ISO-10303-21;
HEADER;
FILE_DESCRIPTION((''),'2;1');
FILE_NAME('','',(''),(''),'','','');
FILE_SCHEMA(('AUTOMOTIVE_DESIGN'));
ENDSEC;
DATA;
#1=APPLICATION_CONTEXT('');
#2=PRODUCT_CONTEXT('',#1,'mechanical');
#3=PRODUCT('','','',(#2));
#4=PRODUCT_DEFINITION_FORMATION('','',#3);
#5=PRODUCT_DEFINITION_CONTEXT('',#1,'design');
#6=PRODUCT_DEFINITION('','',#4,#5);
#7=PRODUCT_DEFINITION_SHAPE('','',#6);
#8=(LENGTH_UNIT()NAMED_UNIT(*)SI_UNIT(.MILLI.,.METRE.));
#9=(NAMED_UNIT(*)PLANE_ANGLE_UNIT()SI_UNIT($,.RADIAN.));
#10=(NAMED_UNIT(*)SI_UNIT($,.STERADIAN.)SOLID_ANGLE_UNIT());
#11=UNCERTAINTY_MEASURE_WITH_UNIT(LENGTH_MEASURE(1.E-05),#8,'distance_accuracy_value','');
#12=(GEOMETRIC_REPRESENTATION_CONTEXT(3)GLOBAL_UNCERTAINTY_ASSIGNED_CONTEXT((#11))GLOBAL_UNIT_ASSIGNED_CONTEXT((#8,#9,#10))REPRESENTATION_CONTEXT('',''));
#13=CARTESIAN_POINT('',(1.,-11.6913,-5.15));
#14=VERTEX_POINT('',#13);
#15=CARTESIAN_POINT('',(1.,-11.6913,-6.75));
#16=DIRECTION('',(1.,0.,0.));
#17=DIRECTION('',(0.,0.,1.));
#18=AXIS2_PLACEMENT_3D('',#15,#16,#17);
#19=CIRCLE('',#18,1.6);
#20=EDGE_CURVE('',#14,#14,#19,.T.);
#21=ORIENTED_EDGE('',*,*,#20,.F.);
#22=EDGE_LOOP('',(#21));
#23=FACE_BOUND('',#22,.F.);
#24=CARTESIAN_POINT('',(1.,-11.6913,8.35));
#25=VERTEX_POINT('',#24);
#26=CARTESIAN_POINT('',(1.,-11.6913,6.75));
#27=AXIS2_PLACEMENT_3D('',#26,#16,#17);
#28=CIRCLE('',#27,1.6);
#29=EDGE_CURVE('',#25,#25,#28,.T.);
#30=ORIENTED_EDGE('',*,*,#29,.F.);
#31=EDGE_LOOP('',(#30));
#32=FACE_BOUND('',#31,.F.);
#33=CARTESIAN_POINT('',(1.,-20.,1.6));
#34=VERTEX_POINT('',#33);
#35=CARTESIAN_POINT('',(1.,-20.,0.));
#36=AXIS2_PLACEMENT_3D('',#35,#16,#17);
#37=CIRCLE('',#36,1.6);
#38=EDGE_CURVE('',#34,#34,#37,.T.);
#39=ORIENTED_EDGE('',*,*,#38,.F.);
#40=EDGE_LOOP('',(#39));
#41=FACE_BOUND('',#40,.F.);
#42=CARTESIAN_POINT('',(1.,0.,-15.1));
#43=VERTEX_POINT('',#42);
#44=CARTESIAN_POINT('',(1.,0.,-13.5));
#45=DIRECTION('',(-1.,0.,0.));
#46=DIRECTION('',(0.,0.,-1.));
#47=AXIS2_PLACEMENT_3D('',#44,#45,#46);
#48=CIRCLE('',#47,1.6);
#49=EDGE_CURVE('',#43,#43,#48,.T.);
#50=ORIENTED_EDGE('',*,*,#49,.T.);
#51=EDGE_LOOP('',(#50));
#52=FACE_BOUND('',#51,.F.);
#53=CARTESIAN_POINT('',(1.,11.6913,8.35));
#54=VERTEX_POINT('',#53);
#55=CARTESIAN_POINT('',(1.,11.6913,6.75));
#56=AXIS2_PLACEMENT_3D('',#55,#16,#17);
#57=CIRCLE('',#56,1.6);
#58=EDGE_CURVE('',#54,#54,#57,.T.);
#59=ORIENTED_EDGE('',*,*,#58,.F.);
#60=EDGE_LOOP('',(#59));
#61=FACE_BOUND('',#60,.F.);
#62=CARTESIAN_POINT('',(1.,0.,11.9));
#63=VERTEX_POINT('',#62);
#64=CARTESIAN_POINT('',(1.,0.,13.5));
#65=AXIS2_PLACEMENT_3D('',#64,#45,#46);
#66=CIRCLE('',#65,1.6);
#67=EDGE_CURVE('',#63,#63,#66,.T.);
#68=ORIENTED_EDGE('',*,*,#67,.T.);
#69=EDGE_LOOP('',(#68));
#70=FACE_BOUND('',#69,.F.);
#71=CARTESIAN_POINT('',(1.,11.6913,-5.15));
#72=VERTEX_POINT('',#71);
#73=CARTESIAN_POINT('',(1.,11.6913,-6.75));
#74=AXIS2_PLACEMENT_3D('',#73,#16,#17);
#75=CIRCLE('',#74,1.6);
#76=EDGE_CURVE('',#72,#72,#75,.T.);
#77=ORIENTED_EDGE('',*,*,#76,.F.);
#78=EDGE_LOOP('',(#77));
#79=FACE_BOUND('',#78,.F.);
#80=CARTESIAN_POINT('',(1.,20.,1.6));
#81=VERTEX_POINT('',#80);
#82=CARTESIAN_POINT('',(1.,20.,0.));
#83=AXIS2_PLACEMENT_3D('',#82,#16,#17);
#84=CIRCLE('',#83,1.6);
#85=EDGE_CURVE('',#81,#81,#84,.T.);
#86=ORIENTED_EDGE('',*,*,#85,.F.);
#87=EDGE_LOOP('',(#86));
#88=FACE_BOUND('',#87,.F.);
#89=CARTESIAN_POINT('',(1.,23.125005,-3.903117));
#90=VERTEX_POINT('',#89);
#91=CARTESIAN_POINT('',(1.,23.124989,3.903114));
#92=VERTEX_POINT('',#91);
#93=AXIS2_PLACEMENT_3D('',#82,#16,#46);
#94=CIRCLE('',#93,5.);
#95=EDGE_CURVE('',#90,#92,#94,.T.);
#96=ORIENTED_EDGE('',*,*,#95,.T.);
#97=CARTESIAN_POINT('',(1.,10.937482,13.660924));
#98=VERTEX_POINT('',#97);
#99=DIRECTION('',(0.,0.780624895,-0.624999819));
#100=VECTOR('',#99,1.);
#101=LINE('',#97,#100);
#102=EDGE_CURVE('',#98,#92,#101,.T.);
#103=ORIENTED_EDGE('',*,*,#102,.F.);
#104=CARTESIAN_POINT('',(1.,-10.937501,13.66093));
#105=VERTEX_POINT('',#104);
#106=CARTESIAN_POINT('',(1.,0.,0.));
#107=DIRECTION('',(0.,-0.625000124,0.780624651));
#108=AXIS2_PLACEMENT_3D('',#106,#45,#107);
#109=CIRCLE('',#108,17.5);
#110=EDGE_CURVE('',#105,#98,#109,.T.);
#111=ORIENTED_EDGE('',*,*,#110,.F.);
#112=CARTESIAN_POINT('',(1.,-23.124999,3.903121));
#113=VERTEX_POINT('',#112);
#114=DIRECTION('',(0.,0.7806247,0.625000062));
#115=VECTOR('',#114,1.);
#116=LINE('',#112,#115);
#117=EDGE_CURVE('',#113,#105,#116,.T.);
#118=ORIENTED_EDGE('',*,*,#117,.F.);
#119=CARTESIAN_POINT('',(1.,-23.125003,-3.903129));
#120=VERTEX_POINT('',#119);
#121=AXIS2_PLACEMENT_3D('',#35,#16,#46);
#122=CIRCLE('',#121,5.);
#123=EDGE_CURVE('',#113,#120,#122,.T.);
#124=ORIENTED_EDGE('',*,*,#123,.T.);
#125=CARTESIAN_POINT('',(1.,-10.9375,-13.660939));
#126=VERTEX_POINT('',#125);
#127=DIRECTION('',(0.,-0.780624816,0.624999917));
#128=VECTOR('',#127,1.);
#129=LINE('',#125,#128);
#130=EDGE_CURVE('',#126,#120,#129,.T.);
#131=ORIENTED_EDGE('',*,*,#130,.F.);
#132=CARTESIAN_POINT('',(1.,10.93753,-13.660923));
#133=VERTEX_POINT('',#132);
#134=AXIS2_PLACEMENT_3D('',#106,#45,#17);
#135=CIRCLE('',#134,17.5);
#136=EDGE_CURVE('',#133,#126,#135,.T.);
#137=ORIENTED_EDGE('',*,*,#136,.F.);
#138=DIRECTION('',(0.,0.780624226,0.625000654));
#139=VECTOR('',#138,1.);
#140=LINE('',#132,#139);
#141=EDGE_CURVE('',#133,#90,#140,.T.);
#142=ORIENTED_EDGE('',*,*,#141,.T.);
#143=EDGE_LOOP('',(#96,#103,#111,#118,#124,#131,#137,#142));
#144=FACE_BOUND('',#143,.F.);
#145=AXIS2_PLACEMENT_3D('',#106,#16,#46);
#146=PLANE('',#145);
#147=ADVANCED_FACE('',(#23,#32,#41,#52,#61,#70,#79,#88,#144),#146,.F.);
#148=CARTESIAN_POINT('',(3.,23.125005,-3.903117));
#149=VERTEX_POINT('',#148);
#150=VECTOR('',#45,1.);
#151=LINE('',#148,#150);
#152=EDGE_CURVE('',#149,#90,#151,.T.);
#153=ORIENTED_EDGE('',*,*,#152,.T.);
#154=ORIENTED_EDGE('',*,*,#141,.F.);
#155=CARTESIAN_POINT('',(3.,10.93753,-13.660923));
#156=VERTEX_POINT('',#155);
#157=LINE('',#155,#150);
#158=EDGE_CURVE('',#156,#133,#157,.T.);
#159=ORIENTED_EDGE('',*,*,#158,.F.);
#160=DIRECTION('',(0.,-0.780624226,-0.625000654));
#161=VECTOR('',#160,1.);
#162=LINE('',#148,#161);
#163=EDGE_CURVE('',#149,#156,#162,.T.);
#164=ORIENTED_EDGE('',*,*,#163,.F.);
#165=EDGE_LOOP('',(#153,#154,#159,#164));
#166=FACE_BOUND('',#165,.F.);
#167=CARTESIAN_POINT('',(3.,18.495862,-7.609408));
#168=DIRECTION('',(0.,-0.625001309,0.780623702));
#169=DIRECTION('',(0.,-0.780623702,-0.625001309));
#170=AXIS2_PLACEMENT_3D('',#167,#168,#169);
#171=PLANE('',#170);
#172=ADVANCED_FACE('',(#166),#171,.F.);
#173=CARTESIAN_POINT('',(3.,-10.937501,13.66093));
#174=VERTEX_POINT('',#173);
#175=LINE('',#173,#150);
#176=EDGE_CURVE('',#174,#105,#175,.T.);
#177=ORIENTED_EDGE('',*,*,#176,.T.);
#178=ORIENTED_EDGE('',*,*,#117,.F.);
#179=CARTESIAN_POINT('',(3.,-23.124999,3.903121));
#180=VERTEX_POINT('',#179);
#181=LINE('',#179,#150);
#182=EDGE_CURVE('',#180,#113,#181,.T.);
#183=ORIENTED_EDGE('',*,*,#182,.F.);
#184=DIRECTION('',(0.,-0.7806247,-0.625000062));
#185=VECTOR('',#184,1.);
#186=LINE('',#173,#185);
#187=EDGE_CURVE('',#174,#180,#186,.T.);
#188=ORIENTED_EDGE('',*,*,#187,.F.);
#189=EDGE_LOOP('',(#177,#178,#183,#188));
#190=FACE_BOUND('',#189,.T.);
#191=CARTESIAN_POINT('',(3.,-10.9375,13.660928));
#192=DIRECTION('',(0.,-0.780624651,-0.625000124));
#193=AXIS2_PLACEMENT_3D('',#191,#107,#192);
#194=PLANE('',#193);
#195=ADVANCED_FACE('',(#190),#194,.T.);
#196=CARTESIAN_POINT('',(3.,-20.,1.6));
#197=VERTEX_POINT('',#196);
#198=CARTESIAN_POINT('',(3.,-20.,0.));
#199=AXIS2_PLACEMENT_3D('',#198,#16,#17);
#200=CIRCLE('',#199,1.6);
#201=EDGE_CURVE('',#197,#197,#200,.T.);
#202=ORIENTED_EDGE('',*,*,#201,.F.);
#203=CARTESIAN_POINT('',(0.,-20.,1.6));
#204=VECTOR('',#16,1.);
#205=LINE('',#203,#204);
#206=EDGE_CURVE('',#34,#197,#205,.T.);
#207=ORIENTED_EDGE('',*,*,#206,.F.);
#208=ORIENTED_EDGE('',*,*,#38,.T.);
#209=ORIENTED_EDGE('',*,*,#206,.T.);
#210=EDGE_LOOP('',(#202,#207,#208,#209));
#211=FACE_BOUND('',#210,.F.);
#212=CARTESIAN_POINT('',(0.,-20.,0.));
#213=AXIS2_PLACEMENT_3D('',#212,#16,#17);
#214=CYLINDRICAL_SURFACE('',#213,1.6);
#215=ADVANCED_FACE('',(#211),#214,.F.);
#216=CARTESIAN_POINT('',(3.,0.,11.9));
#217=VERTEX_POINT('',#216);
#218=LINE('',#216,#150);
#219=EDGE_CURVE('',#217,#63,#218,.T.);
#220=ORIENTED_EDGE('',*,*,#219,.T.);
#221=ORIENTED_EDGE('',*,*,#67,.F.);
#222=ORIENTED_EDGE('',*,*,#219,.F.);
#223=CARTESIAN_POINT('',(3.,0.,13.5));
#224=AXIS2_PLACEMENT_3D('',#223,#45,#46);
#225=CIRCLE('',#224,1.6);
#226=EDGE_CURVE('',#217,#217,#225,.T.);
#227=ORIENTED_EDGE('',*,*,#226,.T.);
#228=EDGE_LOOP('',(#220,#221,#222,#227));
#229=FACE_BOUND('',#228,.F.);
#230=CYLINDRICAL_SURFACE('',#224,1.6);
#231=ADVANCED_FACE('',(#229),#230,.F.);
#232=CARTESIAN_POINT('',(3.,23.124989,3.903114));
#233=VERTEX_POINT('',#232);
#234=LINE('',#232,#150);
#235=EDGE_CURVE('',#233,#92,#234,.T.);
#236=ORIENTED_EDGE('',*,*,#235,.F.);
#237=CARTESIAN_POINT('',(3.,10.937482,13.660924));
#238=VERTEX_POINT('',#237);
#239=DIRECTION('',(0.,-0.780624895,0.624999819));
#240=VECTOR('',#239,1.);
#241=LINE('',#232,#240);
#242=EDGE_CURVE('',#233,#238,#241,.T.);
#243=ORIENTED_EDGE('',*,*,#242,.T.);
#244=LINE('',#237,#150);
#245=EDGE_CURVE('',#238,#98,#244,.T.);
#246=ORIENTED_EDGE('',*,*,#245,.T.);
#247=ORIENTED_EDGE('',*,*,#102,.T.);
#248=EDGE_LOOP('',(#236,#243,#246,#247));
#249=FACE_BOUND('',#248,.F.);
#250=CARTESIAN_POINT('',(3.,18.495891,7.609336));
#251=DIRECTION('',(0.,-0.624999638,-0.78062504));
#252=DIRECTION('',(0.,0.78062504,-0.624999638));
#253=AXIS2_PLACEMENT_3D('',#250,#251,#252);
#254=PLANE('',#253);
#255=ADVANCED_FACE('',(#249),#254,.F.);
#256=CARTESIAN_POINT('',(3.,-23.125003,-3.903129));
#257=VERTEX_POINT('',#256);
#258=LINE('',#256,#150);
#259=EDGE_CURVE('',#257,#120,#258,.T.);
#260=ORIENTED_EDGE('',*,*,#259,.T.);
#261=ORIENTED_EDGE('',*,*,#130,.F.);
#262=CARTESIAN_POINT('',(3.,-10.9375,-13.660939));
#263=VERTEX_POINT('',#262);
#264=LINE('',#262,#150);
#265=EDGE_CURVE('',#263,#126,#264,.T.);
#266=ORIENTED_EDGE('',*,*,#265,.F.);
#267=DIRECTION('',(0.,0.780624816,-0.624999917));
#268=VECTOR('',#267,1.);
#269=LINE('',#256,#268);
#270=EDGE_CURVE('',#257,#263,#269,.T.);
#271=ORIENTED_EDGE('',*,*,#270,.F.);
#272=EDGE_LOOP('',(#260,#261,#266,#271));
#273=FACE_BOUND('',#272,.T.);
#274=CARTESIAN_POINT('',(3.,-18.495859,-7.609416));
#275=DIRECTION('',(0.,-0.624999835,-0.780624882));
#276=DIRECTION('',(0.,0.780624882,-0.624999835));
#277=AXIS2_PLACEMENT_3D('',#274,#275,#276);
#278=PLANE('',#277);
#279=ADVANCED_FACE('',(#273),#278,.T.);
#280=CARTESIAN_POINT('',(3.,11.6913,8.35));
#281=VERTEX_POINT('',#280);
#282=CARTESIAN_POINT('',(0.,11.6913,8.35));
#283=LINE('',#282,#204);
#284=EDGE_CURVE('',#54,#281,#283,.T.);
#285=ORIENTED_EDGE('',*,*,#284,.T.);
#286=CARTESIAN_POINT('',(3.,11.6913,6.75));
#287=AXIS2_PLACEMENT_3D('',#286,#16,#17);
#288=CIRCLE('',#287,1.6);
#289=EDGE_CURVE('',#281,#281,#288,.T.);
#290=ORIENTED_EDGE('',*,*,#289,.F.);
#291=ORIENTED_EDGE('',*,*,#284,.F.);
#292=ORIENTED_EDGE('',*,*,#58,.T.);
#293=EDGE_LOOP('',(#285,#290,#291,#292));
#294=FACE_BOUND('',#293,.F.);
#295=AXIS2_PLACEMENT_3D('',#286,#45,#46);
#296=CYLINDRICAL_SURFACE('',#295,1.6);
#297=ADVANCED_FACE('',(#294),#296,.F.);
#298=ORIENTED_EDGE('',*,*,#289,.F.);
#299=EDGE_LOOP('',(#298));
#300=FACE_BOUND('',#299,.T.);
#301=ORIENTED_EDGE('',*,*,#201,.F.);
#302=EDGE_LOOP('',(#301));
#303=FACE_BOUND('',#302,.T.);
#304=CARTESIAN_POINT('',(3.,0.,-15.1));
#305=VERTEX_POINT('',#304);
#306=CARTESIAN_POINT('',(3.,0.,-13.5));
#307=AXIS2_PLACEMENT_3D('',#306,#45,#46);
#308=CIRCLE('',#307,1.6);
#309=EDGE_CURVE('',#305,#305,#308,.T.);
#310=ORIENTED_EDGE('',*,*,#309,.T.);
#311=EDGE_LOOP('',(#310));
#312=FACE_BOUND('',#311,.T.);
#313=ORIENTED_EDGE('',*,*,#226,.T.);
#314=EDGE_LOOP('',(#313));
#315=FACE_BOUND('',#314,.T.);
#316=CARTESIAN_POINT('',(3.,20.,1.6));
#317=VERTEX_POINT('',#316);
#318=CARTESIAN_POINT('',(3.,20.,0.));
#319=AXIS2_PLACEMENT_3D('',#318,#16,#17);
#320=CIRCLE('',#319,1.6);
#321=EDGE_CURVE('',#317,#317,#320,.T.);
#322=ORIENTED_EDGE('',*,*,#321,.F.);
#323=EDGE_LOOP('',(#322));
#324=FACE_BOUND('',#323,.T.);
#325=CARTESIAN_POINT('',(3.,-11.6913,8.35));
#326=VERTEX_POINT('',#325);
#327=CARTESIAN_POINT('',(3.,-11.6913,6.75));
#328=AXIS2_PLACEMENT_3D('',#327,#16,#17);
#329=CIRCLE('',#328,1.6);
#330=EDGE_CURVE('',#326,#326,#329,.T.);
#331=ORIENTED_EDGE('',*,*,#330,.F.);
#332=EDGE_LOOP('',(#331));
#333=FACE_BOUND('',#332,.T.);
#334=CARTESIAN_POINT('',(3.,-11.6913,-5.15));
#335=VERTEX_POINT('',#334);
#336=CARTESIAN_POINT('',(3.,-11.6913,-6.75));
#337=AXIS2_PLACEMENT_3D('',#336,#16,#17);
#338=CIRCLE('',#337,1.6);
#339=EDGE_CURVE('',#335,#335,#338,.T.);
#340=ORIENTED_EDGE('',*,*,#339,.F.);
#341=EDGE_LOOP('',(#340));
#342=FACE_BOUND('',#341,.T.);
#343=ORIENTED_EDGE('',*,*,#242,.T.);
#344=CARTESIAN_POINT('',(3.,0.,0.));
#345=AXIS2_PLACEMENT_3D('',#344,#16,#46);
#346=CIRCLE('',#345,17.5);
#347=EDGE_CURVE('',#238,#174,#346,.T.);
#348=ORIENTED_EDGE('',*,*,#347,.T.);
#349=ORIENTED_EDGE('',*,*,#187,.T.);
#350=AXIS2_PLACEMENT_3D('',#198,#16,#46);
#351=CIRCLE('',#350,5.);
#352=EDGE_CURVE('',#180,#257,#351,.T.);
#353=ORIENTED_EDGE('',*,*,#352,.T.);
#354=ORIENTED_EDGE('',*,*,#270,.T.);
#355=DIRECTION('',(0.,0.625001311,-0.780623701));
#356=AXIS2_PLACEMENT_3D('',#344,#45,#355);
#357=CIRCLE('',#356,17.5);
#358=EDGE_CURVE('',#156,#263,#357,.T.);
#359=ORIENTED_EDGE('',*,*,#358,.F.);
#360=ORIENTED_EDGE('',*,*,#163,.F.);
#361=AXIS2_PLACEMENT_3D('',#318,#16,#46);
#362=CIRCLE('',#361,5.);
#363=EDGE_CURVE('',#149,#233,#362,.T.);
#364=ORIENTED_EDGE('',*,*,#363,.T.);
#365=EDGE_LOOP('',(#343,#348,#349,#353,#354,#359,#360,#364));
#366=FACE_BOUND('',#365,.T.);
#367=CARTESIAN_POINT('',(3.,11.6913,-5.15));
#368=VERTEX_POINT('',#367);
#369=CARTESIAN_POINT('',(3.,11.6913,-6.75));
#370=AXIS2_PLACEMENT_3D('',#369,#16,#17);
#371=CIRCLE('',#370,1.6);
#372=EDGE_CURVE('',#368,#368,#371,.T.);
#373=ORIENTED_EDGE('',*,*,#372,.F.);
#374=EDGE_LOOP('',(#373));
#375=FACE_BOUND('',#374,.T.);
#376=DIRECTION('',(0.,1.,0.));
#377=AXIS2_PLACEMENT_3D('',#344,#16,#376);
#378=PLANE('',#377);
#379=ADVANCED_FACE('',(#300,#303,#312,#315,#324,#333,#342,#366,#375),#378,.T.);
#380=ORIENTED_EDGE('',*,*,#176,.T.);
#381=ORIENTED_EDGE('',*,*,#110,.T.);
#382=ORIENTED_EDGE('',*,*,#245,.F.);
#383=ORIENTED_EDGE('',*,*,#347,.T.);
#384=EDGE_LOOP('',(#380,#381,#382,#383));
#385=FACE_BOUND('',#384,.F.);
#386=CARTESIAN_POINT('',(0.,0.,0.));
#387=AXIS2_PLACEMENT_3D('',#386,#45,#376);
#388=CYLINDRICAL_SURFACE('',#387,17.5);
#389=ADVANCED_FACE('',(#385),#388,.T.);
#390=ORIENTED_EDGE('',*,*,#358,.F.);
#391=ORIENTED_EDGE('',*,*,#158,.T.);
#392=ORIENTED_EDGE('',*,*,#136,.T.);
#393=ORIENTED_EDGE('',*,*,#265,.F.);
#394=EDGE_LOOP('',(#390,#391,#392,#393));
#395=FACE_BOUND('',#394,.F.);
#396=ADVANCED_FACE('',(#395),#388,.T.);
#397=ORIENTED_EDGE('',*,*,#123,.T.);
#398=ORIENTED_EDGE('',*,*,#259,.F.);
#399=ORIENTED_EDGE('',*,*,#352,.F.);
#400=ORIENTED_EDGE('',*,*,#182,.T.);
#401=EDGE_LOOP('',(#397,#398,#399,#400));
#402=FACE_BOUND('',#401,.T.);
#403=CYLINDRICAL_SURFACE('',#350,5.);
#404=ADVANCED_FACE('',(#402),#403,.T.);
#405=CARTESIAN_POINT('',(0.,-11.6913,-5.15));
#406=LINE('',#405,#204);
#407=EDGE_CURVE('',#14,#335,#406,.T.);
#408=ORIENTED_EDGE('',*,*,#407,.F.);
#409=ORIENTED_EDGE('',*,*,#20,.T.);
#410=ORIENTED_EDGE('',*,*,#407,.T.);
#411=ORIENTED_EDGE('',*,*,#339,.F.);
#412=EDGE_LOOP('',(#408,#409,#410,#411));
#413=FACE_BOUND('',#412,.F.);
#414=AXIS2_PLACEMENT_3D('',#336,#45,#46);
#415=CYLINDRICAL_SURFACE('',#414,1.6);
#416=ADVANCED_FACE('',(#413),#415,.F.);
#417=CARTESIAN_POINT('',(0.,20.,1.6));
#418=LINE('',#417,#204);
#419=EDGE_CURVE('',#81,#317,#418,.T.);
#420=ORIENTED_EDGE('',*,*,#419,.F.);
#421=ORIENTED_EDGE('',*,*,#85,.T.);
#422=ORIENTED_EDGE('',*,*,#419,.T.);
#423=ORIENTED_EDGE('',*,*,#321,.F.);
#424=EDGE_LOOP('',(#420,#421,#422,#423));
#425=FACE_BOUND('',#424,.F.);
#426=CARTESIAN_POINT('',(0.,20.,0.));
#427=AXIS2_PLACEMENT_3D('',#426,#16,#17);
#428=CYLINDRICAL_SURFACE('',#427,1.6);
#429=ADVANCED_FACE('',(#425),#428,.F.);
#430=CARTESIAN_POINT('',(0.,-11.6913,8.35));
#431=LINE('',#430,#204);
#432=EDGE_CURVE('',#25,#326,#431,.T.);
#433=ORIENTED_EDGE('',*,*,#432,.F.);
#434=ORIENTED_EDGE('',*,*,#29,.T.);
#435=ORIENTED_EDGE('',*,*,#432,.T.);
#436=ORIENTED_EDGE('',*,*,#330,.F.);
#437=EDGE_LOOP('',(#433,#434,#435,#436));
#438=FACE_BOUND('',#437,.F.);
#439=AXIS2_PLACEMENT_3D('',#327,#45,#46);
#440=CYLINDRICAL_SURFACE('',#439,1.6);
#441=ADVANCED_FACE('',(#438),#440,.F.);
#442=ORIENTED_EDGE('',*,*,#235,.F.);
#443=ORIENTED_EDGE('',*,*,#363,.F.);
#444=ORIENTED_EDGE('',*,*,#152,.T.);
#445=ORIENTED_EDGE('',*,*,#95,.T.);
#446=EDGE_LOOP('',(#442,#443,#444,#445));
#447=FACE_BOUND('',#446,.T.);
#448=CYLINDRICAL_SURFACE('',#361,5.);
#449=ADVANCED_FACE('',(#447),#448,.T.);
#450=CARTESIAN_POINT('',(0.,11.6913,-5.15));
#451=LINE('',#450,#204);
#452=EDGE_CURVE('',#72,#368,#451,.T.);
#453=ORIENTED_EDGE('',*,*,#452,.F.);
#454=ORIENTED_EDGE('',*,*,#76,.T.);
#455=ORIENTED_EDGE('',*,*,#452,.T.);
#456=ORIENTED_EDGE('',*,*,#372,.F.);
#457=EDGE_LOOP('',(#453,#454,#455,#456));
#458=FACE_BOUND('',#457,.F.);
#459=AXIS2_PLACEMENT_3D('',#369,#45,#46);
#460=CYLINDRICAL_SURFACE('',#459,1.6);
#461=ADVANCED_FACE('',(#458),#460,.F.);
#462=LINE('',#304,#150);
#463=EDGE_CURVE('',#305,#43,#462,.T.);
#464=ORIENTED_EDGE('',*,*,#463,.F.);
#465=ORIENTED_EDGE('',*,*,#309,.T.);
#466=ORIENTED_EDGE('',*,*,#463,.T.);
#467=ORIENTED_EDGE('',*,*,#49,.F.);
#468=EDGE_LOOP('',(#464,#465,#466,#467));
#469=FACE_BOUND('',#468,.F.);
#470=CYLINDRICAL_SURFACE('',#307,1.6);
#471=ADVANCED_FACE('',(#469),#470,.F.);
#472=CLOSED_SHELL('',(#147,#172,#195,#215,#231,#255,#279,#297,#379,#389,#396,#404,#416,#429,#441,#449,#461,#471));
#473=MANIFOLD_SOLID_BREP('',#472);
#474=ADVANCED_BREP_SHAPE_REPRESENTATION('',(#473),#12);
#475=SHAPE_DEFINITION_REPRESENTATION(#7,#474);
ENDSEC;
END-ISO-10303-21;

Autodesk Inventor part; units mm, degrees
ref_plane "YZ Plane" through (0, 0, 0) normal (1, 0, 0) x (0, 1, 0)
ref_plane "XZ Plane" through (0, 0, 0) normal (0, 1, 0) x (-1, 0, 0)
ref_plane "XY Plane" through (0, 0, 0) normal (0, 0, 1) x (1, 0, 0)
sketch "スケッチ1" plane through (0, 0, 0) normal (1, 0, 0) x (0, 1, 0)
  circle A0 centre (0, 0) radius 17.5
  dimension "d0" = 35
extrude "押し出し1" add sketch "スケッチ1" along normal blind 3
sketch "スケッチ2" plane through (3, 0, 0) normal (1, 0, 0) x (0, 0, -1)
  circle A0 centre (0, 0) radius 13.5
  point P0 (13.5, 0)
  point P1 (6.75, 11.6913)
  point P2 (-6.75, 11.6913)
  point P3 (-13.5, 0)
  point P4 (-6.75, -11.6913)
  point P5 (6.75, -11.6913)
  dimension "d3" = 27
  dimension "d6" = 360
hole "穴1" at (3, 0, -13.5) at (3, 11.6913, -6.75) at (3, 11.6913, 6.75) at (3, 0, 13.5) at (3, -11.6913, 6.75) at (3, -11.6913, -6.75) direction (-1, 0, 0) diameter 3.2 end through all
sketch "スケッチ4" plane through (3, 0, 0) normal (1, 0, 0) x (0, 0, -1)
  circle A0 centre (0, 0) radius 20
  circle A1 centre (0, -20) radius 5
  circle A2 centre (0, 20) radius 5
  circle A3 centre (13.5, 0) radius 1.6 projected
  circle A4 centre (-13.5, 0) radius 1.6 projected
  line L0 (-24.9861, -3.2077) -> (0.509, 28.6357)
  line L1 (1.3172, 26.3548) -> (24.4586, -2.5487)
  line L2 (-28.3137, 7.3638) -> (1.2125, -29.5144)
  line L3 (-0.4955, -28.6189) -> (23.5579, 1.4238)
  circle A5 centre (0, 0) radius 17.5 projected
  point P0 (-3.9031, 23.125)
  point P1 (-13.6609, 10.9375)
  point P2 (-13.6609, -10.9375)
  point P3 (-3.9031, -23.125)
  point P4 (3.9031, -23.125)
  point P5 (13.6609, -10.9375)
  point P6 (13.6609, 10.9375)
  point P7 (3.9031, 23.125)
  dimension "d22" = 40
  dimension "d23" = 10
  dimension "d24" = 10
  dimension "d25" = 13.5
  dimension "d26" = 13.5
extrude "押し出し2" add sketch "スケッチ4" against normal blind 2 contours L1 A5 A2 A0 | A0 A2 L1 | A5 A1 A2 | L3 A1 A0 | A0 A1 A5 L3 | A2 A5 A0 | A0 A2 | A2 A5 | A1 A0 | A0 A1 A5 | A5 A1 | A2 A5 L0 A0 | A0 L0 A2 | A1 L2 A0 | A0 L2 A5 A1
sketch "スケッチ5" plane through (0, 0, 0) normal (-1, 0, 0) x (0, 0, 1)
  circle A0 centre (6.75, -11.6913) radius 1.6 projected
  circle A1 centre (-6.75, -11.6913) radius 1.6 projected
  circle A2 centre (-6.75, 11.6913) radius 1.6 projected
  circle A3 centre (6.75, 11.6913) radius 1.6 projected
  arc A4 (3.9031, 23.125) -> (-3.9031, 23.125) centre (0, 20) ccw projected
  arc A5 (-3.9031, -23.125) -> (3.9031, -23.125) centre (0, -20) ccw projected
  point P0 (0, 0)
hole "穴2" at (0, -11.6913, 6.75) at (0, -11.6913, -6.75) at (0, 11.6913, -6.75) at (0, 11.6913, 6.75) at (0, 20, 0) at (0, -20, 0) direction (1, 0, 0) diameter 3.2 depth 5
sketch "スケッチ6" plane through (0, 0, 0) normal (-1, 0, 0) x (0, 0, 1)
  circle A0 centre (0, 0) radius 17.5
extrude "押し出し3" cut sketch "スケッチ6" against normal blind 1
properties part number "endeff_plate2" material "アルミニウム 6061"
